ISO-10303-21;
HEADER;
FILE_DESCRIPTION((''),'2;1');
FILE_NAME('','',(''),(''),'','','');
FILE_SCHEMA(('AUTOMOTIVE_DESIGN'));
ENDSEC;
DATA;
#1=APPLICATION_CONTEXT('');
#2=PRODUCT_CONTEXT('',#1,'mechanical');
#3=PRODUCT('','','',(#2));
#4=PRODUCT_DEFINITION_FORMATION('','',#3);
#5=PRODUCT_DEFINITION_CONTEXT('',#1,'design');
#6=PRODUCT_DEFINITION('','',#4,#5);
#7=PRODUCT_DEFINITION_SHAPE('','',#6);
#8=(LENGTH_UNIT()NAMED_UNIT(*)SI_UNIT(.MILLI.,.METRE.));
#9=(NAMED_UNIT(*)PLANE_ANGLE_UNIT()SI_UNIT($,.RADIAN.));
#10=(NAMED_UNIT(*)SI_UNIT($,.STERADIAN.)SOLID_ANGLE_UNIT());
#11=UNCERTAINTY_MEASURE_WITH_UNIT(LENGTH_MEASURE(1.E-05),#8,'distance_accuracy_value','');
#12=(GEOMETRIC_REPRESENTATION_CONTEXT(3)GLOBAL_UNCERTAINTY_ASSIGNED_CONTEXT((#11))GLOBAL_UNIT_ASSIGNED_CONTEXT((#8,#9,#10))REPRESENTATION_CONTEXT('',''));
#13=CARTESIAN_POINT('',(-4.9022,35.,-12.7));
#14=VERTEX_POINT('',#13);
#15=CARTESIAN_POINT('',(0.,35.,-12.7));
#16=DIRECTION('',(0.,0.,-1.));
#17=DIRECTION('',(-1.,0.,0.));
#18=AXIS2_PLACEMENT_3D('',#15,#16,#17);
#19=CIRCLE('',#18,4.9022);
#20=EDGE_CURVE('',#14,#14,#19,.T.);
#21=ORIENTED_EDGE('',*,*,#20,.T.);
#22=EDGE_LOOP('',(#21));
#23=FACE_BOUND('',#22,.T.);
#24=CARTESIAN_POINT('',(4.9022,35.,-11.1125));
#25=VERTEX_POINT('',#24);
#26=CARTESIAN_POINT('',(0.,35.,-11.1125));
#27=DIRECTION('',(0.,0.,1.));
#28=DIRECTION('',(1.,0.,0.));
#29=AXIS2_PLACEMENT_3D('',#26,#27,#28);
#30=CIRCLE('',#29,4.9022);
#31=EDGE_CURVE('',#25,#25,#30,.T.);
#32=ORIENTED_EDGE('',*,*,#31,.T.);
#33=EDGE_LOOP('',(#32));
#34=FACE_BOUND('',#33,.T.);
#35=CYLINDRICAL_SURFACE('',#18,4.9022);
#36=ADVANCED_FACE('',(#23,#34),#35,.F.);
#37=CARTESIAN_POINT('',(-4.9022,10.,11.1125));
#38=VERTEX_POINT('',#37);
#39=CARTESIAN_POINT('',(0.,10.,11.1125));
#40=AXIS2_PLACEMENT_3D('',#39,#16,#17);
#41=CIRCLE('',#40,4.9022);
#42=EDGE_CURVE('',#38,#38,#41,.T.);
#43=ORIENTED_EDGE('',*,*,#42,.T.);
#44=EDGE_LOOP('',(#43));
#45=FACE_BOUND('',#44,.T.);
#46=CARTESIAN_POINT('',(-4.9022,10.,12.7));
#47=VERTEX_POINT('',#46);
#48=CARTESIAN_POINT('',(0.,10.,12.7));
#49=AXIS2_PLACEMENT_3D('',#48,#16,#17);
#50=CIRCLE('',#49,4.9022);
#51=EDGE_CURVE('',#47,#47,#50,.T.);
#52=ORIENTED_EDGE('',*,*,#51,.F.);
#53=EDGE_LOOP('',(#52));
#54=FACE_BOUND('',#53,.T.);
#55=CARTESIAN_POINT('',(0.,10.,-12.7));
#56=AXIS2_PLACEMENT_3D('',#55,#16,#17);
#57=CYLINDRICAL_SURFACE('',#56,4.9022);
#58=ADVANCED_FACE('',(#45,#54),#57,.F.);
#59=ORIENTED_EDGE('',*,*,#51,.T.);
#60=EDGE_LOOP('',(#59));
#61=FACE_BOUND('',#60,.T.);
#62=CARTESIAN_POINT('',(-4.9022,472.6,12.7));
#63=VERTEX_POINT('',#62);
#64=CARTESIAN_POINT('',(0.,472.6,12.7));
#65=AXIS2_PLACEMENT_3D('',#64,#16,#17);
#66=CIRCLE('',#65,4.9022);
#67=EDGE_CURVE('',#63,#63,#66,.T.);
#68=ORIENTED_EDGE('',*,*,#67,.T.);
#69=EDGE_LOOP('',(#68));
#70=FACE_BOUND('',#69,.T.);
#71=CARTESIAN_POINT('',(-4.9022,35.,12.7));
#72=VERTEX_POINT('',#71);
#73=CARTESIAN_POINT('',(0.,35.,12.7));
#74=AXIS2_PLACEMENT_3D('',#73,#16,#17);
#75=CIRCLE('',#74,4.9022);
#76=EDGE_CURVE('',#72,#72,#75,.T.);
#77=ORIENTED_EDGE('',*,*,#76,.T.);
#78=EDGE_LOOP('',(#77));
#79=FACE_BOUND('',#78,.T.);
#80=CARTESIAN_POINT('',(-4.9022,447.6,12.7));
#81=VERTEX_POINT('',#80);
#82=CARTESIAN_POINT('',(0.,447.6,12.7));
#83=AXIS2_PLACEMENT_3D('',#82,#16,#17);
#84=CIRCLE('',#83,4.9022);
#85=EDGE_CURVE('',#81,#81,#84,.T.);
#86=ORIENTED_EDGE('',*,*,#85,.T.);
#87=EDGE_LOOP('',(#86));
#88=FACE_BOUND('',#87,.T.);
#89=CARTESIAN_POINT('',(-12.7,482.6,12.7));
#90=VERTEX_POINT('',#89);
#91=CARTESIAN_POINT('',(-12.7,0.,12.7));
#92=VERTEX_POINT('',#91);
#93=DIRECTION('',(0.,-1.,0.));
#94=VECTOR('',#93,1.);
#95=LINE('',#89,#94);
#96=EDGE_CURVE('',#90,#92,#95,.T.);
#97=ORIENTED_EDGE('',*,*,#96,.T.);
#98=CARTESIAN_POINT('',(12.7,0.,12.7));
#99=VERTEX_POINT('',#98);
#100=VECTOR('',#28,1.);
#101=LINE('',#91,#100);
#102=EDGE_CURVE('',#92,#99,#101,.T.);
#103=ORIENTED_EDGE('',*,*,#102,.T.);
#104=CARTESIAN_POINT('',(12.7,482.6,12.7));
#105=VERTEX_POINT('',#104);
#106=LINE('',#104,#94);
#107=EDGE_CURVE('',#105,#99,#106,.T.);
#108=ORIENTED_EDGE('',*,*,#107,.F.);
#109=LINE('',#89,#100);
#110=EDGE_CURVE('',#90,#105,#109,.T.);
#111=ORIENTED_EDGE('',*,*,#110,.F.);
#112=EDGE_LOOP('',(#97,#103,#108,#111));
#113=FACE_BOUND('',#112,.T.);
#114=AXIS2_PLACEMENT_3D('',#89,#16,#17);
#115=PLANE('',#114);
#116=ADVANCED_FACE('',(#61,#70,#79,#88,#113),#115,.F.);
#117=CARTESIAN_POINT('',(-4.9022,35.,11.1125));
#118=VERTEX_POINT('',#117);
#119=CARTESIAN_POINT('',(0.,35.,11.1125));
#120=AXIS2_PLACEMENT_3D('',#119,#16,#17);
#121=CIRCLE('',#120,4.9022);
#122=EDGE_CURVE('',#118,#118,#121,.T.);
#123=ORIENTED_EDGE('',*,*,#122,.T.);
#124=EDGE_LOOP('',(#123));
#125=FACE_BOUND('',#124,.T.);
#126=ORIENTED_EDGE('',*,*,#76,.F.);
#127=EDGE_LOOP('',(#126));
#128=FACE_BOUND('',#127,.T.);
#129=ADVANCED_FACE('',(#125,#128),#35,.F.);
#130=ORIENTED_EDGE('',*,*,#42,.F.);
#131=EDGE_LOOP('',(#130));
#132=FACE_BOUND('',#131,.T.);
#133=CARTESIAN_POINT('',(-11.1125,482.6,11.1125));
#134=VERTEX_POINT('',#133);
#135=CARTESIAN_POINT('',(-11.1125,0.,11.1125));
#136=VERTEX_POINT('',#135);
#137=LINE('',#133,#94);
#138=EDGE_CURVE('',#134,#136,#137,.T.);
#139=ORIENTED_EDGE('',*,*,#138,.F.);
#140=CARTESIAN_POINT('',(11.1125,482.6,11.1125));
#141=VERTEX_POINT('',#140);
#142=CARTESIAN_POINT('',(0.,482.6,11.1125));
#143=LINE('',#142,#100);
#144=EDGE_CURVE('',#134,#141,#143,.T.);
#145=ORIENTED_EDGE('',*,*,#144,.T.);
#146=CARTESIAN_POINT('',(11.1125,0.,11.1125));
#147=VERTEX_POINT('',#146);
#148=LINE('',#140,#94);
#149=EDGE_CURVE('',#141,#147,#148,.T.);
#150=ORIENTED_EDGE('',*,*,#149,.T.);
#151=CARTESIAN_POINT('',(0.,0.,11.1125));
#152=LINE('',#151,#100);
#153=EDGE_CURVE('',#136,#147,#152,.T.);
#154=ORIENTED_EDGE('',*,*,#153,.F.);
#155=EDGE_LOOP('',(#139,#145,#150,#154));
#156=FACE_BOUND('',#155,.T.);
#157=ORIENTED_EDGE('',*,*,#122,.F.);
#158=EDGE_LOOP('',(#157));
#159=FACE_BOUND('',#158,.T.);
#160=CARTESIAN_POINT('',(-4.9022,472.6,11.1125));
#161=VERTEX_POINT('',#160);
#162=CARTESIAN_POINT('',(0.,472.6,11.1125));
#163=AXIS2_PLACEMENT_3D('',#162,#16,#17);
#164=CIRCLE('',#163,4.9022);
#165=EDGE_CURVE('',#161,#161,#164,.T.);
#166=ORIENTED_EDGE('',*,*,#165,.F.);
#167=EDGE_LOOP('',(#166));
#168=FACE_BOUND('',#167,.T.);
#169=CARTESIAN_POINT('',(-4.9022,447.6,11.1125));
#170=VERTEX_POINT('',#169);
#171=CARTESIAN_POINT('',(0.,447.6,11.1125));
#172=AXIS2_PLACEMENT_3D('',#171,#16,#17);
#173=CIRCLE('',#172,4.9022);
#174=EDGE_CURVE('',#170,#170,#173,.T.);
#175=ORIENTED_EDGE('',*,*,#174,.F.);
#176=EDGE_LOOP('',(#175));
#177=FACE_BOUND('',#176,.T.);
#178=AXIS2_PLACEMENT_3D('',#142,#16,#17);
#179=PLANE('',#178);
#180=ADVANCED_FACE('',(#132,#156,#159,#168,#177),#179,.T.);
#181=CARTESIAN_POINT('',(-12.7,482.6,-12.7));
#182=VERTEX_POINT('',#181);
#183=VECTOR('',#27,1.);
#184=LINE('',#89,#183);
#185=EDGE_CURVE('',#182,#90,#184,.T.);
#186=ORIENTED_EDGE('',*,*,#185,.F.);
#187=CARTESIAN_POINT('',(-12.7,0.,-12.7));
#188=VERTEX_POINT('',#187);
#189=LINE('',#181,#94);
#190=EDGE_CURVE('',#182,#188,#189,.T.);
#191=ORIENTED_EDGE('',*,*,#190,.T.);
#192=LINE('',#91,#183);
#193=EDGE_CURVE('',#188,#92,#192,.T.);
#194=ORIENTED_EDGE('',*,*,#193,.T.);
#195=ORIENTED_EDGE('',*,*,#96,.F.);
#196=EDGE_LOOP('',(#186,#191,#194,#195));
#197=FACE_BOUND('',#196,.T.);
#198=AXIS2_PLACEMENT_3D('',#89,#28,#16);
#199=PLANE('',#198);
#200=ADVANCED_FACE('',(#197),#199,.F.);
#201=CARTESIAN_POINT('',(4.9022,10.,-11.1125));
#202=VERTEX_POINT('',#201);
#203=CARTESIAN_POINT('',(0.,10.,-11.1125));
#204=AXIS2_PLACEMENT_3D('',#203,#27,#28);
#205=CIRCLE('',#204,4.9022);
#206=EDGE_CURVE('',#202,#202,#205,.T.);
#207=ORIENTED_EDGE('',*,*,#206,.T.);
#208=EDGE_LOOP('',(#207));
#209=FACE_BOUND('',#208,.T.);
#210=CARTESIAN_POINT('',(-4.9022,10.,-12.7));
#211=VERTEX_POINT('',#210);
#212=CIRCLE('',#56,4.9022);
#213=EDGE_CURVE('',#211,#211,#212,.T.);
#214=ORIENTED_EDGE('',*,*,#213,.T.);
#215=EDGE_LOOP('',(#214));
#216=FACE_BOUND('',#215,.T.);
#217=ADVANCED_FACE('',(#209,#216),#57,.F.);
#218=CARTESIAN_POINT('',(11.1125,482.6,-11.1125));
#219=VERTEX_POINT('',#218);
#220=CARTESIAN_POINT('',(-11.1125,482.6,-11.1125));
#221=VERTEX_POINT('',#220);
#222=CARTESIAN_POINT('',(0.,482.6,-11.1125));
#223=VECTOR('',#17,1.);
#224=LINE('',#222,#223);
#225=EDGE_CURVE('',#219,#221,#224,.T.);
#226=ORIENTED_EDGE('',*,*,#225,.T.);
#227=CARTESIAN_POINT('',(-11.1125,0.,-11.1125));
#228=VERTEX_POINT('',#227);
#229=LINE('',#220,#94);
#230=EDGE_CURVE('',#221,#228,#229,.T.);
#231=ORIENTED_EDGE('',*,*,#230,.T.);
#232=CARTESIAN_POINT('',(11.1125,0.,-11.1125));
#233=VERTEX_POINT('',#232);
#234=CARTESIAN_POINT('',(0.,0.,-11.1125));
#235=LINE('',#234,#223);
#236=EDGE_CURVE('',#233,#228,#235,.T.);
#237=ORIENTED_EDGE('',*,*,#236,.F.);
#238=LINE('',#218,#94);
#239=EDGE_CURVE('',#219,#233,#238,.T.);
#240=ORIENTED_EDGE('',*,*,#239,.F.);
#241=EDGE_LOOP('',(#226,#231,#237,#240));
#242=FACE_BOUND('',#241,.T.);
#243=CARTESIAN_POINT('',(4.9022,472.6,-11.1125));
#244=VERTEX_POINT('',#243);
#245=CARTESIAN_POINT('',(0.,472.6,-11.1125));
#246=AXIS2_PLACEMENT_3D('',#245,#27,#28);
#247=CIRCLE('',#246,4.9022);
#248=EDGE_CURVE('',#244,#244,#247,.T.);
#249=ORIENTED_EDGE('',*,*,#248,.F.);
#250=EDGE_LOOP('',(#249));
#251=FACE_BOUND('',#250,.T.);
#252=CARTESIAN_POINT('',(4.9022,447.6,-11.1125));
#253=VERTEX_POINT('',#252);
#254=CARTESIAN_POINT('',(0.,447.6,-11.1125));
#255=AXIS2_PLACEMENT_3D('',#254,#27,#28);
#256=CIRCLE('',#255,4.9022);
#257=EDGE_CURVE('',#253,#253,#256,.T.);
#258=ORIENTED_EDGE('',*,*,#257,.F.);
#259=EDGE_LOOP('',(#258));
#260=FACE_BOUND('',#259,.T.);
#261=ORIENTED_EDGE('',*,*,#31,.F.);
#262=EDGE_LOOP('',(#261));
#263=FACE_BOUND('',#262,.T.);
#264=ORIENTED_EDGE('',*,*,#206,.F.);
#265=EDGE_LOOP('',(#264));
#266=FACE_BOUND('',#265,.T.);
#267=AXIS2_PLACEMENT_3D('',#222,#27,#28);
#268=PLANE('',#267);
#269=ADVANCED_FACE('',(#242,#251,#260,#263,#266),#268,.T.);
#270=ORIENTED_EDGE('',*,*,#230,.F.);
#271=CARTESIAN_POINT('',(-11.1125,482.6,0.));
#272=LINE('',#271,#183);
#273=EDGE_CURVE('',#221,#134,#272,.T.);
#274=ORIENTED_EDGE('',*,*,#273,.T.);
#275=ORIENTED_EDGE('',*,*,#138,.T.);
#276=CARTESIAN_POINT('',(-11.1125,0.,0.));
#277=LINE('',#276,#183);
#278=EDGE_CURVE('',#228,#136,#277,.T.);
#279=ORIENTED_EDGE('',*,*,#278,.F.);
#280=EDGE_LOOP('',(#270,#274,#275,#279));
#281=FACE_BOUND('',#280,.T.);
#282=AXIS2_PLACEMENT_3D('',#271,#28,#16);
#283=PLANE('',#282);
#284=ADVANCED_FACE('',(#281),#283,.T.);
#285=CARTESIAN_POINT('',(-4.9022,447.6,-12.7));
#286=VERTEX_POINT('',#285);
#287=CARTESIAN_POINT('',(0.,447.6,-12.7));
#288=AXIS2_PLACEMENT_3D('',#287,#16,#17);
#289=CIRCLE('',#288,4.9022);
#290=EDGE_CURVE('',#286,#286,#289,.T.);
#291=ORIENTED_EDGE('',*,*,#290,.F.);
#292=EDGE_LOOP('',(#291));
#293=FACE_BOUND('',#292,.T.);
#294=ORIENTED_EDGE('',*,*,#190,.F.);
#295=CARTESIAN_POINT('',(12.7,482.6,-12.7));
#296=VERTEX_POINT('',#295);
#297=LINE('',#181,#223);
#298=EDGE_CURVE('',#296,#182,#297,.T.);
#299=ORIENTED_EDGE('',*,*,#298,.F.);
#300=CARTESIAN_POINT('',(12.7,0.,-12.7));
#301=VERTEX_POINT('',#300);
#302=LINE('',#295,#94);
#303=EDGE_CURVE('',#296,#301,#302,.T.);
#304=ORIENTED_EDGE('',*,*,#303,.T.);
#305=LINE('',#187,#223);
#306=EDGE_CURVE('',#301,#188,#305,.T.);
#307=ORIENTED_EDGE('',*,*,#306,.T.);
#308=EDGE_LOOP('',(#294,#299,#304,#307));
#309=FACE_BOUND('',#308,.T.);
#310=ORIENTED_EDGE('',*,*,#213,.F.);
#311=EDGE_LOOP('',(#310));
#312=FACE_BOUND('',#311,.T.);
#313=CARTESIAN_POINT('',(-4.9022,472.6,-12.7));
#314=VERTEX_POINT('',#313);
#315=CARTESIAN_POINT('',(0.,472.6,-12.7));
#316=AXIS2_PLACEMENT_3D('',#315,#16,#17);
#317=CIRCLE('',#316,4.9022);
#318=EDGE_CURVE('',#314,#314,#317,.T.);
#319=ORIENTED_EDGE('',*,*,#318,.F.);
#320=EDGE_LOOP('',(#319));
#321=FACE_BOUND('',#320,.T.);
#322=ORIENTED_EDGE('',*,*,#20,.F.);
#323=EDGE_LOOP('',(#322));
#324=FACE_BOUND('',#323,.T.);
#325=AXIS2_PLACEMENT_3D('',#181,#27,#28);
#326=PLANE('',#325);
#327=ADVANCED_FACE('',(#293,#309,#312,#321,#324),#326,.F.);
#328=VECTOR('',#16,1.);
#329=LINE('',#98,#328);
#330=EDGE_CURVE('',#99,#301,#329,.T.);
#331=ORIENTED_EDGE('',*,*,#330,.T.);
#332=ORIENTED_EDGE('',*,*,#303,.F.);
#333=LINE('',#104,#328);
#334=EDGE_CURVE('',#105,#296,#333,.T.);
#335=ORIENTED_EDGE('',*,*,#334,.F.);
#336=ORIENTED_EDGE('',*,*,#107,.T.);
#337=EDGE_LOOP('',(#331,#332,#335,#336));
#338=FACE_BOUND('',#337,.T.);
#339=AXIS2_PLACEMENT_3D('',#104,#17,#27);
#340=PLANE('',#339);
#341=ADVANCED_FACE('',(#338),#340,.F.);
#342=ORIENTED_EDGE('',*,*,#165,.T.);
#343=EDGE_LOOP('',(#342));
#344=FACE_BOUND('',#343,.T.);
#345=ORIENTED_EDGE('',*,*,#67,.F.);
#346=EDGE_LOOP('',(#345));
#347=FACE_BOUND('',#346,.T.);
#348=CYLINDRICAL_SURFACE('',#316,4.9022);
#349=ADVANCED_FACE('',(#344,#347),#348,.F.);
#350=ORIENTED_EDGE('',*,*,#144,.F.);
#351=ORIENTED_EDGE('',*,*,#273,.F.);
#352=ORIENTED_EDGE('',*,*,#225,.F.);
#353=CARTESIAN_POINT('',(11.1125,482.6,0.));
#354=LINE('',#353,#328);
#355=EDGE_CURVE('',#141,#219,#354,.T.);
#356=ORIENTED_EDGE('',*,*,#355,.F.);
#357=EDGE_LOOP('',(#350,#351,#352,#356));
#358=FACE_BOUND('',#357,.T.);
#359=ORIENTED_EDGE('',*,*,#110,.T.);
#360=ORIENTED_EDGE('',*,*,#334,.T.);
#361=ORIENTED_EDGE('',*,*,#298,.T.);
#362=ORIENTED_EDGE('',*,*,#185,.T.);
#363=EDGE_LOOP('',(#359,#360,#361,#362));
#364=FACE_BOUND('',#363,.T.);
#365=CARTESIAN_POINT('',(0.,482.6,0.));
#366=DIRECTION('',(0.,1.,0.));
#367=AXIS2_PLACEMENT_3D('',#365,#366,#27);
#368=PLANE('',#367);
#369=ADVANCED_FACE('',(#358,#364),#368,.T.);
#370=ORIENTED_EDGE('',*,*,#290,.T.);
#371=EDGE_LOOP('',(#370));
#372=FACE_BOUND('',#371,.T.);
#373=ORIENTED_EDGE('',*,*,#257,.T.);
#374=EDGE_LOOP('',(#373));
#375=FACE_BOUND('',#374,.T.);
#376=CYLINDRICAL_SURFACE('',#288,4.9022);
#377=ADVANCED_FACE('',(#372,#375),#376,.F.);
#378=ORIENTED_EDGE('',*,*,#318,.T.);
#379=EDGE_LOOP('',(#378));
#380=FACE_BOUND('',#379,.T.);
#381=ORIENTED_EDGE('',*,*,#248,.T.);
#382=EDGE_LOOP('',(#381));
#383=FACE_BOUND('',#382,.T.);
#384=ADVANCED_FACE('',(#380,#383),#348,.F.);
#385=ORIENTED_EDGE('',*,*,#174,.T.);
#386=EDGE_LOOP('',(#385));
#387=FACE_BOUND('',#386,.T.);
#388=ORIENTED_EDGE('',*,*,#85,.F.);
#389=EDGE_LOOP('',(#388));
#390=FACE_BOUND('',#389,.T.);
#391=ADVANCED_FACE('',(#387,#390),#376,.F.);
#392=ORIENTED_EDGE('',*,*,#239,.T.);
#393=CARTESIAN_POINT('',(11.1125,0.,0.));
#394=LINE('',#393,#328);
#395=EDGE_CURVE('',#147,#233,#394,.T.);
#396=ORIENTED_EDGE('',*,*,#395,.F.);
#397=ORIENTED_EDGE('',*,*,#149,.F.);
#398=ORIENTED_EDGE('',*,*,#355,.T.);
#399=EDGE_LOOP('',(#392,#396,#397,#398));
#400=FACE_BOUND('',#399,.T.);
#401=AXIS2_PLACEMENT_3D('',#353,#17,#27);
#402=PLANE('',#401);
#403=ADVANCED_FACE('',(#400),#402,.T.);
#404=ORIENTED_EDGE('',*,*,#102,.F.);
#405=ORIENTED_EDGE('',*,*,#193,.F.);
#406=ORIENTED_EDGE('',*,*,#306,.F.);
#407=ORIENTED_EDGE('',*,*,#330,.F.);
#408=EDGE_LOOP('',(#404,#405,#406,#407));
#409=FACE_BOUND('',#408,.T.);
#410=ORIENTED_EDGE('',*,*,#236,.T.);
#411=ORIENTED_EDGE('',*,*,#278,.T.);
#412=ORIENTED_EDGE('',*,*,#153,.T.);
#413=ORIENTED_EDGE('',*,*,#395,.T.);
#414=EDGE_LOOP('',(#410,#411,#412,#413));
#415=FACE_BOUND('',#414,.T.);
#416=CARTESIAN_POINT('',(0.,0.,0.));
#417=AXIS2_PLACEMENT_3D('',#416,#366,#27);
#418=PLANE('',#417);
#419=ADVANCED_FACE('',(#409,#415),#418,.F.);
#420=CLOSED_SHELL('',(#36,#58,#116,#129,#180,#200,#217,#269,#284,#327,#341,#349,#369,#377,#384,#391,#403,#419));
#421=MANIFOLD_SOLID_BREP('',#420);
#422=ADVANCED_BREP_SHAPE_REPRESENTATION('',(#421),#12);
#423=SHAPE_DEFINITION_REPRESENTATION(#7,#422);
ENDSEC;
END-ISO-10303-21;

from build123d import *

# Parameters (mm, degrees)
SKETCH1_W               = 25.4
SKETCH1_H               = 25.4
SKETCH1_W_2             = 22.225
SKETCH1_H_2             = 22.225
EXTRUDE_THIN1_DEPTH     = 482.6
F_3_8_CLEARANCE_HOLE1_D = 9.8044


with BuildPart() as part:
    # Sketch1 → Extrude-Thin1 (new body)
    with BuildSketch(Plane(origin=(0, 0, 0), x_dir=(1, 0, 0), z_dir=(0, 1, 0))):
        Rectangle(SKETCH1_W, SKETCH1_H)
        Rectangle(SKETCH1_W_2, SKETCH1_H_2, mode=Mode.SUBTRACT)
    extrude(amount=EXTRUDE_THIN1_DEPTH)

    # 3/8 Clearance Hole1 (through all)
    with Locations(Plane(origin=(0, 0, -12.7), x_dir=(-1, 0, 0), z_dir=(0, 0, -1))):
        with Locations((0, 472.6), (0, 447.6), (0, 35), (0, 10)):
            Hole(F_3_8_CLEARANCE_HOLE1_D / 2)


solid = part.part
